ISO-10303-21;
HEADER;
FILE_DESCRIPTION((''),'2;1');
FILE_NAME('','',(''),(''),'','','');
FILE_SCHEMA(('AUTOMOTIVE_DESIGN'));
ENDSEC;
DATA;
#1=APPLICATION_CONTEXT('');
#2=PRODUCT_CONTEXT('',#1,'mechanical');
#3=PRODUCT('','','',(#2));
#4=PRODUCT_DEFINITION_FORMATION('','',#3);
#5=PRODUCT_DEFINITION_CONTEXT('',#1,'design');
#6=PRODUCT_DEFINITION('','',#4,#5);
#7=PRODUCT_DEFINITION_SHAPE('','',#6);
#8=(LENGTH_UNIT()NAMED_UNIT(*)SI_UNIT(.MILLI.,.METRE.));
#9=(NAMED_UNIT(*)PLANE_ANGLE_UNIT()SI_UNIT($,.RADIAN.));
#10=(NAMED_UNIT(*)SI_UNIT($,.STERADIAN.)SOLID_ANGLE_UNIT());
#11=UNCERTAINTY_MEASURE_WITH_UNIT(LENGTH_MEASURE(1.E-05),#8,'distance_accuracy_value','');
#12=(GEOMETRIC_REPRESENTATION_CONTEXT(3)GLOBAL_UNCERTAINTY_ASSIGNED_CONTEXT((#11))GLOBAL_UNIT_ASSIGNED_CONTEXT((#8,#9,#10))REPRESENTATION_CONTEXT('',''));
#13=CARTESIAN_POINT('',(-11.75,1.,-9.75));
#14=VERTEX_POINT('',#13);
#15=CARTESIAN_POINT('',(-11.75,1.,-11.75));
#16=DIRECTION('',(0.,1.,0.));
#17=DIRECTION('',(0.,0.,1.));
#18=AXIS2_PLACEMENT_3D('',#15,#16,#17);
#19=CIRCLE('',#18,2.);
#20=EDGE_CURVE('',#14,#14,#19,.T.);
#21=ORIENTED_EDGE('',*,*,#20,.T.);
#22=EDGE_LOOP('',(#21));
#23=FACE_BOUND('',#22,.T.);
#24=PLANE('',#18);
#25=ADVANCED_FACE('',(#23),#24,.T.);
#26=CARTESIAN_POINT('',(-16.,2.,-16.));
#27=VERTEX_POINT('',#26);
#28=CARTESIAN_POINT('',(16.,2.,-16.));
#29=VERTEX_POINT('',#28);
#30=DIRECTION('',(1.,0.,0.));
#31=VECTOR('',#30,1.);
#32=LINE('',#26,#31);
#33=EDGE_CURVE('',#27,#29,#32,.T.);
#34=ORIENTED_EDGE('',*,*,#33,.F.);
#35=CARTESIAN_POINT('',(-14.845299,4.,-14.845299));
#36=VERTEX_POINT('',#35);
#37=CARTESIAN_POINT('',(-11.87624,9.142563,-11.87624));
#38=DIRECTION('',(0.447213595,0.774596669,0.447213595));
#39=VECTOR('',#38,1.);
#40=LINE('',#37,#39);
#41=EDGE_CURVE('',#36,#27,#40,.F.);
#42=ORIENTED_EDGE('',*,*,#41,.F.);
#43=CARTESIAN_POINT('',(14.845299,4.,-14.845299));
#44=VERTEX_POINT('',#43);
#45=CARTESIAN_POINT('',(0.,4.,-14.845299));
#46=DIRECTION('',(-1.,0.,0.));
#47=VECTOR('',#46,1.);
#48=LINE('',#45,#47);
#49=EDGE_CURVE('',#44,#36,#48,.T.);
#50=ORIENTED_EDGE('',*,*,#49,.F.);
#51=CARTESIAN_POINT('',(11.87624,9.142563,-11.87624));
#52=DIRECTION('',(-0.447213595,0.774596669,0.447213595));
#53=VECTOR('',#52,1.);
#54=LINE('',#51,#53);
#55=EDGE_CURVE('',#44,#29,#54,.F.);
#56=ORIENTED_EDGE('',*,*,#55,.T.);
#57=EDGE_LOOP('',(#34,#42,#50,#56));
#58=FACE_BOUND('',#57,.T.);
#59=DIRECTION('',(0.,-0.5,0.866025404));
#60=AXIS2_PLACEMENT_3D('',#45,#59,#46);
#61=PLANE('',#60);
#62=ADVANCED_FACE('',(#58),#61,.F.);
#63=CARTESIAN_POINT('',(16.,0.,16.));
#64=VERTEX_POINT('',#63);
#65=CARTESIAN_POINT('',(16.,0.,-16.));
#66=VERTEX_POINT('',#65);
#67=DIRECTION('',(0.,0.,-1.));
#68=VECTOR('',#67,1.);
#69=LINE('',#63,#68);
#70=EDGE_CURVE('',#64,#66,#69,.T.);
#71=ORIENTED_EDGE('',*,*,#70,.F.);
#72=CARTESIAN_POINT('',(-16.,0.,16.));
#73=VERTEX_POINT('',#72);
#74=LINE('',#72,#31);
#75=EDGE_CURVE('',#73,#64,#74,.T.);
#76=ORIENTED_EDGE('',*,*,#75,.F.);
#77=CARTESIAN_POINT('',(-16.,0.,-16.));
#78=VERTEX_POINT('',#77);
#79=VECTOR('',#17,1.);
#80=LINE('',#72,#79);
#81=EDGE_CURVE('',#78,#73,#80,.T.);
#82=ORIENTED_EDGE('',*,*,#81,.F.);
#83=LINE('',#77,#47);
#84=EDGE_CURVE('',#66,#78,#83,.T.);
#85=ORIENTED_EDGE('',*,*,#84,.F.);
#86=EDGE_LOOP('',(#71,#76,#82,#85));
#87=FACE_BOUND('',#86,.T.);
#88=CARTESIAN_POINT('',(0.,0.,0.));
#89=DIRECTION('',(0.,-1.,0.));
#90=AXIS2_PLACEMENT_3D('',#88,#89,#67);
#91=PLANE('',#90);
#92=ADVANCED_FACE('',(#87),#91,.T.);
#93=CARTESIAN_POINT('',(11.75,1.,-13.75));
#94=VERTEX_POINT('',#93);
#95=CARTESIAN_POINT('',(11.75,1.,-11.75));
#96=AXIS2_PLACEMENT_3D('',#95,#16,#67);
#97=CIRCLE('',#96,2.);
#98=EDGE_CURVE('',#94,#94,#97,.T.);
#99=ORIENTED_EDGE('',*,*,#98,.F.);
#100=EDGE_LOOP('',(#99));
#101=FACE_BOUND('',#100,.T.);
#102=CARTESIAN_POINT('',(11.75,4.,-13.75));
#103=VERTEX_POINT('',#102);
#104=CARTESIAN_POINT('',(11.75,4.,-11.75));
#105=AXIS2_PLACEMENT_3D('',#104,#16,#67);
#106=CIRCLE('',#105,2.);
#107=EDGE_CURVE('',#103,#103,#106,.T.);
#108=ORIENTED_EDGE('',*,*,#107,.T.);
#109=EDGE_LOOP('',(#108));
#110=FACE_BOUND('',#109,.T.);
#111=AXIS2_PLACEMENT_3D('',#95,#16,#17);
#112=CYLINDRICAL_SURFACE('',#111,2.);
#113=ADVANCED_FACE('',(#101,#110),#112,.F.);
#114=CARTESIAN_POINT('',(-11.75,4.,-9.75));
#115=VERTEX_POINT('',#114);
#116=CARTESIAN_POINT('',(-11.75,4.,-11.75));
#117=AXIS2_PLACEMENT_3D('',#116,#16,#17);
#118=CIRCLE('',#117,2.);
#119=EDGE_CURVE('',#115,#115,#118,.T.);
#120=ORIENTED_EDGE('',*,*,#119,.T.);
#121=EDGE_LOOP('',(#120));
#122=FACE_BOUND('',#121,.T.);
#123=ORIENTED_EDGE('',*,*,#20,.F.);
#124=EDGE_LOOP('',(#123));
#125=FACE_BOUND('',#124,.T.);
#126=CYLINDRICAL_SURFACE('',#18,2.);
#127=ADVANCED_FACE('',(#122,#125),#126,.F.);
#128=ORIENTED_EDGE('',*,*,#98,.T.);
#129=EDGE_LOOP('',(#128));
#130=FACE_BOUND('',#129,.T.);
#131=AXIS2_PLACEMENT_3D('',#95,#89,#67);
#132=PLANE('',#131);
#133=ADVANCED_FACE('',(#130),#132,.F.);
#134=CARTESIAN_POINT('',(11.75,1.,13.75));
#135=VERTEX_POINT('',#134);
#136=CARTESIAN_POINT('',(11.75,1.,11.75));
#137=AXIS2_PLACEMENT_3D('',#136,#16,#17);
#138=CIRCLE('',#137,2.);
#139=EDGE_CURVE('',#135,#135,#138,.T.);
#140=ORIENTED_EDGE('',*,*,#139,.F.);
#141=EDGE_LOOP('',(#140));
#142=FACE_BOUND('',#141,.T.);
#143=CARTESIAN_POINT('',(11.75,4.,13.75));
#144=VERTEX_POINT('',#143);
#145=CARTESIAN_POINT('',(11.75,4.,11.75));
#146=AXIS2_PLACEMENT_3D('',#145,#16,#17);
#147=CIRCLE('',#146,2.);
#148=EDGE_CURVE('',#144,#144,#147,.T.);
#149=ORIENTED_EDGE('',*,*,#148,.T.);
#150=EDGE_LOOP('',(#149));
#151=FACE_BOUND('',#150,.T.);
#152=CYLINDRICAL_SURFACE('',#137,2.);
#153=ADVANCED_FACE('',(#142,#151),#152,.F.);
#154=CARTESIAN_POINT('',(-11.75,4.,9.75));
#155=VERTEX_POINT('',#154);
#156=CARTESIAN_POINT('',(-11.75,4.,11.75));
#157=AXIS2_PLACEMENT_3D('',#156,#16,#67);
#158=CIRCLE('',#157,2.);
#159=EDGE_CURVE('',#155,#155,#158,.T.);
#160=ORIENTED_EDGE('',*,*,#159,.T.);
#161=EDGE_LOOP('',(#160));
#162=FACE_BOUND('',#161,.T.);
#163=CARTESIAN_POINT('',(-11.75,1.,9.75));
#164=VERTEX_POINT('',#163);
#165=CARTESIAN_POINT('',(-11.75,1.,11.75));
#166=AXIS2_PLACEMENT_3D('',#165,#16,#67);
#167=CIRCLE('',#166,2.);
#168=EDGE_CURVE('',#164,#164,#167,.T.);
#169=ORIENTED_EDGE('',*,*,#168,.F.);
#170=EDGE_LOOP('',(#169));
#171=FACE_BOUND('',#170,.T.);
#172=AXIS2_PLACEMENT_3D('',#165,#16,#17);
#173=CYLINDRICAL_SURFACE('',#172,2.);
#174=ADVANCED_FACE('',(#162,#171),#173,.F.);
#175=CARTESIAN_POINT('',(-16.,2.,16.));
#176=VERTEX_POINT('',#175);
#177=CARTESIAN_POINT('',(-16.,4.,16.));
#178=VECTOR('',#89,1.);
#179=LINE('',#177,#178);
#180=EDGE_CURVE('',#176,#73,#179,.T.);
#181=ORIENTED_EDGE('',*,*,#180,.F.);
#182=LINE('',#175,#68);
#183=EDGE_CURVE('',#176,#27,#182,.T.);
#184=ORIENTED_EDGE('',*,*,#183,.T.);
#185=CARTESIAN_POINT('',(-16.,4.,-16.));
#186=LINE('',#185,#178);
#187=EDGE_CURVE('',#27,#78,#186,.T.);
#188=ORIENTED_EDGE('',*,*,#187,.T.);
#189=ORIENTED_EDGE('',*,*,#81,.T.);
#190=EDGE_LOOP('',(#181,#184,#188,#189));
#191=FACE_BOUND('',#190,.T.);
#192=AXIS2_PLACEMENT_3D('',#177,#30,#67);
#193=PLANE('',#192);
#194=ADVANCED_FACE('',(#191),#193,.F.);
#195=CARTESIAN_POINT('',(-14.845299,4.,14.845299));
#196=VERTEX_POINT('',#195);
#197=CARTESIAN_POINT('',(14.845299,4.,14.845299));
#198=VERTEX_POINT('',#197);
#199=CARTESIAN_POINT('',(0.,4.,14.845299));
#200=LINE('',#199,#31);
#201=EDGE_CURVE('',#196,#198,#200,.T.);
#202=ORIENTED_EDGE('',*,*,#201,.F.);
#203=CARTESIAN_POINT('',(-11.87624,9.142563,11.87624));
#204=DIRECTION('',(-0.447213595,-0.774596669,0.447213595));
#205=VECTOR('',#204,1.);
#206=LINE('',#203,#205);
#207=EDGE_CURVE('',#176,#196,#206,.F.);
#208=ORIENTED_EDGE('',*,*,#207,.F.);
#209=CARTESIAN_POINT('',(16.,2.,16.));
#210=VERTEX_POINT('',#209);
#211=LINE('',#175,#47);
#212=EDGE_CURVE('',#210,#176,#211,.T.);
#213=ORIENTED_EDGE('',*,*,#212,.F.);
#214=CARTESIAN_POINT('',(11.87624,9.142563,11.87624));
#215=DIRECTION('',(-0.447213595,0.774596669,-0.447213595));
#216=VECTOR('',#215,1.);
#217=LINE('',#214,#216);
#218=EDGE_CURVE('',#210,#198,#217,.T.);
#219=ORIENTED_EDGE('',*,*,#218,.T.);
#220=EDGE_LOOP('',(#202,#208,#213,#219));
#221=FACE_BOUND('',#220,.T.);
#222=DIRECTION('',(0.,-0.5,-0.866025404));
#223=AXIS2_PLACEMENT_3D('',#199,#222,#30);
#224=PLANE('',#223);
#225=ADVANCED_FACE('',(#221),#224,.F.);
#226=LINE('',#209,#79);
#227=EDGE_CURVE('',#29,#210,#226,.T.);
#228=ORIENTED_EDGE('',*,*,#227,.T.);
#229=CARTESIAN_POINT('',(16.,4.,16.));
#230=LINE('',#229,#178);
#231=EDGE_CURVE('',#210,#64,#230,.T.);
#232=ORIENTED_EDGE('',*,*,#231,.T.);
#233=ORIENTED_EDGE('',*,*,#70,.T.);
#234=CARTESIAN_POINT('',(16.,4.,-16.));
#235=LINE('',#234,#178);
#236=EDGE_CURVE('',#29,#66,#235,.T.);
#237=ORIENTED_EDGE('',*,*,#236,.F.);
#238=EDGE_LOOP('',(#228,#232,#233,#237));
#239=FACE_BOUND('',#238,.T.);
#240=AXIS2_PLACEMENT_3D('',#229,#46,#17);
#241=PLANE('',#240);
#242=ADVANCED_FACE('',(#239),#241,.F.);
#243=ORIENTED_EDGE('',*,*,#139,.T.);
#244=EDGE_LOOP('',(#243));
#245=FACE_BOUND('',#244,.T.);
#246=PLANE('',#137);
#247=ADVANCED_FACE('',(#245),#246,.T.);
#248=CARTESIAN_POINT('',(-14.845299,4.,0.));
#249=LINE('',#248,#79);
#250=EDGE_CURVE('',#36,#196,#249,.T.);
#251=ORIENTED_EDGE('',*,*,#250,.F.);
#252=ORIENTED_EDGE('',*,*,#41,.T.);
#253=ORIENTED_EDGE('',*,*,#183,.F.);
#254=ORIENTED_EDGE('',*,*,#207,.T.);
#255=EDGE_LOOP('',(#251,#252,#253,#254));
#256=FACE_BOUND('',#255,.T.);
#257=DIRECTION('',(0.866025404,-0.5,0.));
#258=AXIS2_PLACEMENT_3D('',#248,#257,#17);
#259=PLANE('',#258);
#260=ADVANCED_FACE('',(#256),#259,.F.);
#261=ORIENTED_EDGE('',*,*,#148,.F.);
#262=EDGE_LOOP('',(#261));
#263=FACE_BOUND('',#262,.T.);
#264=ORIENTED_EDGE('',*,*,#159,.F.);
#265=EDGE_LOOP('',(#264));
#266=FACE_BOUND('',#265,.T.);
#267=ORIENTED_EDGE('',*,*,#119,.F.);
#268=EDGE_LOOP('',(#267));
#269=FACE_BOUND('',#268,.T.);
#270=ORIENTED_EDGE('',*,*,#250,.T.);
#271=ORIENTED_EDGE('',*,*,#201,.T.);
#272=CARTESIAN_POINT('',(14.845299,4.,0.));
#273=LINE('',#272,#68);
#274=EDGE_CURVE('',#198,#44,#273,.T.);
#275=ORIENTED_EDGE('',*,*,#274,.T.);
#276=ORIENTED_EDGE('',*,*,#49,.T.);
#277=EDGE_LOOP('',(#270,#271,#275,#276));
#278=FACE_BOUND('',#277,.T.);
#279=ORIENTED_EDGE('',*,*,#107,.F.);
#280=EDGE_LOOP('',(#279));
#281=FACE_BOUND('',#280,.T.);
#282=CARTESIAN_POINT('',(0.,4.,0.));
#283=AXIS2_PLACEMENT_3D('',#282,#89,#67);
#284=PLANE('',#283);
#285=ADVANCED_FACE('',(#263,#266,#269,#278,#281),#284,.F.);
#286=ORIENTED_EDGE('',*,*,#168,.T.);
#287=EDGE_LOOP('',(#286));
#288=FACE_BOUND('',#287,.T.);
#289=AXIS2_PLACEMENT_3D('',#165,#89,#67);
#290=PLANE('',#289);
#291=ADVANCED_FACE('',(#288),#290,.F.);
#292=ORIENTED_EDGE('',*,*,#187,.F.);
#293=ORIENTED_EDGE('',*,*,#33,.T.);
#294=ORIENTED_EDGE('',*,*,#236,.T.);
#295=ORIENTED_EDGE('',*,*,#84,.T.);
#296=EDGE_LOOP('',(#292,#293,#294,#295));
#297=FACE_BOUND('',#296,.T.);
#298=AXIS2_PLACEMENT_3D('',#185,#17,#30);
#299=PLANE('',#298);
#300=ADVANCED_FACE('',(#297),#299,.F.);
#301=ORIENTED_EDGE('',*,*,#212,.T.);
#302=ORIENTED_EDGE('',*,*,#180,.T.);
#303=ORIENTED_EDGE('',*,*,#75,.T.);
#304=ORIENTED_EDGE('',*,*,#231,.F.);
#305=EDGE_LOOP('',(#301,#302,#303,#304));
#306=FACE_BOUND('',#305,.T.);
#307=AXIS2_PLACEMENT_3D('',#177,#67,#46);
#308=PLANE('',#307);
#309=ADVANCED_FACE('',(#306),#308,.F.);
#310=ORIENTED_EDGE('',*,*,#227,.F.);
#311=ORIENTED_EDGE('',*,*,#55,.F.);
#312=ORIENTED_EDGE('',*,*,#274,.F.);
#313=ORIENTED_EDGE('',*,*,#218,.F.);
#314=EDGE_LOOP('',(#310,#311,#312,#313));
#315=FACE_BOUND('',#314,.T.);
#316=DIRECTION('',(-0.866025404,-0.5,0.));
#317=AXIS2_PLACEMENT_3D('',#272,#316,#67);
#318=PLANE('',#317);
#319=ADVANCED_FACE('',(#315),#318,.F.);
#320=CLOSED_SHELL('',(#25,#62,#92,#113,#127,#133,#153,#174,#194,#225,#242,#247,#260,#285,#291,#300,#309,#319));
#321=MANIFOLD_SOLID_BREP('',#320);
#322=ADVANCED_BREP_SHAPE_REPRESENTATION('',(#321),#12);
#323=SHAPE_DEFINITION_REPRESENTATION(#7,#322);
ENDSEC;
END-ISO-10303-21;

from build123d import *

# Parameters (mm, degrees)
SKETCH1_W             = 32
SKETCH1_H             = 32
BOSS_EXTRUDE1_DEPTH   = 4
SKETCH2_R             = 2
CUT_EXTRUDE1_DEPTH    = 3
CHAMFER1_SIZE         = 2
CHAMFER1_SIZE2        = 1.154700538
CHAMFER1_PART_2_SIZE  = 2
CHAMFER1_PART_2_SIZE2 = 1.154700538
CHAMFER1_PART_3_SIZE  = 2
CHAMFER1_PART_3_SIZE2 = 1.154700538
CHAMFER1_PART_4_SIZE  = 2
CHAMFER1_PART_4_SIZE2 = 1.154700538


with BuildPart() as part:
    # Sketch1 → Boss-Extrude1 (new body)
    with BuildSketch(Plane(origin=(0, 0, 0), x_dir=(1, 0, 0), z_dir=(0, 1, 0))):
        Rectangle(SKETCH1_W, SKETCH1_H)
    extrude(amount=BOSS_EXTRUDE1_DEPTH)

    # Sketch2 → Cut-Extrude1 (cut)
    with BuildSketch(Plane(origin=(0, 4, 0), x_dir=(1, 0, 0), z_dir=(0, 1, 0))):
        with Locations((-11.75, 11.75)):
            Circle(SKETCH2_R)
        with Locations((11.75, 11.75)):
            Circle(SKETCH2_R)
        with Locations((11.75, -11.75)):
            Circle(SKETCH2_R)
        with Locations((-11.75, -11.75)):
            Circle(SKETCH2_R)
    extrude(amount=-CUT_EXTRUDE1_DEPTH, mode=Mode.SUBTRACT)

    # Chamfer1
    chamfer1_edges = [part.edges().sort_by_distance(p)[0] for p in [
        (-16, 4, 0),
    ]]
    chamfer1_side = [part.faces().sort_by_distance(p)[0] for p in [
        (-16, 2, 0),
    ]]
    chamfer(chamfer1_edges, length=CHAMFER1_SIZE, length2=CHAMFER1_SIZE2, reference=chamfer1_side[0])

    # Chamfer1 part 2
    chamfer1_part_2_edges = [part.edges().sort_by_distance(p)[0] for p in [
        (0, 4, 16),
    ]]
    chamfer1_part_2_side = [part.faces().sort_by_distance(p)[0] for p in [
        (0, 2, 16),
    ]]
    chamfer(chamfer1_part_2_edges, length=CHAMFER1_PART_2_SIZE, length2=CHAMFER1_PART_2_SIZE2, reference=chamfer1_part_2_side[0])

    # Chamfer1 part 3
    chamfer1_part_3_edges = [part.edges().sort_by_distance(p)[0] for p in [
        (16, 4, 0),
    ]]
    chamfer1_part_3_side = [part.faces().sort_by_distance(p)[0] for p in [
        (16, 2, 0),
    ]]
    chamfer(chamfer1_part_3_edges, length=CHAMFER1_PART_3_SIZE, length2=CHAMFER1_PART_3_SIZE2, reference=chamfer1_part_3_side[0])

    # Chamfer1 part 4
    chamfer1_part_4_edges = [part.edges().sort_by_distance(p)[0] for p in [
        (0, 4, -16),
    ]]
    chamfer1_part_4_side = [part.faces().sort_by_distance(p)[0] for p in [
        (0, 2, -16),
    ]]
    chamfer(chamfer1_part_4_edges, length=CHAMFER1_PART_4_SIZE, length2=CHAMFER1_PART_4_SIZE2, reference=chamfer1_part_4_side[0])


solid = part.part
